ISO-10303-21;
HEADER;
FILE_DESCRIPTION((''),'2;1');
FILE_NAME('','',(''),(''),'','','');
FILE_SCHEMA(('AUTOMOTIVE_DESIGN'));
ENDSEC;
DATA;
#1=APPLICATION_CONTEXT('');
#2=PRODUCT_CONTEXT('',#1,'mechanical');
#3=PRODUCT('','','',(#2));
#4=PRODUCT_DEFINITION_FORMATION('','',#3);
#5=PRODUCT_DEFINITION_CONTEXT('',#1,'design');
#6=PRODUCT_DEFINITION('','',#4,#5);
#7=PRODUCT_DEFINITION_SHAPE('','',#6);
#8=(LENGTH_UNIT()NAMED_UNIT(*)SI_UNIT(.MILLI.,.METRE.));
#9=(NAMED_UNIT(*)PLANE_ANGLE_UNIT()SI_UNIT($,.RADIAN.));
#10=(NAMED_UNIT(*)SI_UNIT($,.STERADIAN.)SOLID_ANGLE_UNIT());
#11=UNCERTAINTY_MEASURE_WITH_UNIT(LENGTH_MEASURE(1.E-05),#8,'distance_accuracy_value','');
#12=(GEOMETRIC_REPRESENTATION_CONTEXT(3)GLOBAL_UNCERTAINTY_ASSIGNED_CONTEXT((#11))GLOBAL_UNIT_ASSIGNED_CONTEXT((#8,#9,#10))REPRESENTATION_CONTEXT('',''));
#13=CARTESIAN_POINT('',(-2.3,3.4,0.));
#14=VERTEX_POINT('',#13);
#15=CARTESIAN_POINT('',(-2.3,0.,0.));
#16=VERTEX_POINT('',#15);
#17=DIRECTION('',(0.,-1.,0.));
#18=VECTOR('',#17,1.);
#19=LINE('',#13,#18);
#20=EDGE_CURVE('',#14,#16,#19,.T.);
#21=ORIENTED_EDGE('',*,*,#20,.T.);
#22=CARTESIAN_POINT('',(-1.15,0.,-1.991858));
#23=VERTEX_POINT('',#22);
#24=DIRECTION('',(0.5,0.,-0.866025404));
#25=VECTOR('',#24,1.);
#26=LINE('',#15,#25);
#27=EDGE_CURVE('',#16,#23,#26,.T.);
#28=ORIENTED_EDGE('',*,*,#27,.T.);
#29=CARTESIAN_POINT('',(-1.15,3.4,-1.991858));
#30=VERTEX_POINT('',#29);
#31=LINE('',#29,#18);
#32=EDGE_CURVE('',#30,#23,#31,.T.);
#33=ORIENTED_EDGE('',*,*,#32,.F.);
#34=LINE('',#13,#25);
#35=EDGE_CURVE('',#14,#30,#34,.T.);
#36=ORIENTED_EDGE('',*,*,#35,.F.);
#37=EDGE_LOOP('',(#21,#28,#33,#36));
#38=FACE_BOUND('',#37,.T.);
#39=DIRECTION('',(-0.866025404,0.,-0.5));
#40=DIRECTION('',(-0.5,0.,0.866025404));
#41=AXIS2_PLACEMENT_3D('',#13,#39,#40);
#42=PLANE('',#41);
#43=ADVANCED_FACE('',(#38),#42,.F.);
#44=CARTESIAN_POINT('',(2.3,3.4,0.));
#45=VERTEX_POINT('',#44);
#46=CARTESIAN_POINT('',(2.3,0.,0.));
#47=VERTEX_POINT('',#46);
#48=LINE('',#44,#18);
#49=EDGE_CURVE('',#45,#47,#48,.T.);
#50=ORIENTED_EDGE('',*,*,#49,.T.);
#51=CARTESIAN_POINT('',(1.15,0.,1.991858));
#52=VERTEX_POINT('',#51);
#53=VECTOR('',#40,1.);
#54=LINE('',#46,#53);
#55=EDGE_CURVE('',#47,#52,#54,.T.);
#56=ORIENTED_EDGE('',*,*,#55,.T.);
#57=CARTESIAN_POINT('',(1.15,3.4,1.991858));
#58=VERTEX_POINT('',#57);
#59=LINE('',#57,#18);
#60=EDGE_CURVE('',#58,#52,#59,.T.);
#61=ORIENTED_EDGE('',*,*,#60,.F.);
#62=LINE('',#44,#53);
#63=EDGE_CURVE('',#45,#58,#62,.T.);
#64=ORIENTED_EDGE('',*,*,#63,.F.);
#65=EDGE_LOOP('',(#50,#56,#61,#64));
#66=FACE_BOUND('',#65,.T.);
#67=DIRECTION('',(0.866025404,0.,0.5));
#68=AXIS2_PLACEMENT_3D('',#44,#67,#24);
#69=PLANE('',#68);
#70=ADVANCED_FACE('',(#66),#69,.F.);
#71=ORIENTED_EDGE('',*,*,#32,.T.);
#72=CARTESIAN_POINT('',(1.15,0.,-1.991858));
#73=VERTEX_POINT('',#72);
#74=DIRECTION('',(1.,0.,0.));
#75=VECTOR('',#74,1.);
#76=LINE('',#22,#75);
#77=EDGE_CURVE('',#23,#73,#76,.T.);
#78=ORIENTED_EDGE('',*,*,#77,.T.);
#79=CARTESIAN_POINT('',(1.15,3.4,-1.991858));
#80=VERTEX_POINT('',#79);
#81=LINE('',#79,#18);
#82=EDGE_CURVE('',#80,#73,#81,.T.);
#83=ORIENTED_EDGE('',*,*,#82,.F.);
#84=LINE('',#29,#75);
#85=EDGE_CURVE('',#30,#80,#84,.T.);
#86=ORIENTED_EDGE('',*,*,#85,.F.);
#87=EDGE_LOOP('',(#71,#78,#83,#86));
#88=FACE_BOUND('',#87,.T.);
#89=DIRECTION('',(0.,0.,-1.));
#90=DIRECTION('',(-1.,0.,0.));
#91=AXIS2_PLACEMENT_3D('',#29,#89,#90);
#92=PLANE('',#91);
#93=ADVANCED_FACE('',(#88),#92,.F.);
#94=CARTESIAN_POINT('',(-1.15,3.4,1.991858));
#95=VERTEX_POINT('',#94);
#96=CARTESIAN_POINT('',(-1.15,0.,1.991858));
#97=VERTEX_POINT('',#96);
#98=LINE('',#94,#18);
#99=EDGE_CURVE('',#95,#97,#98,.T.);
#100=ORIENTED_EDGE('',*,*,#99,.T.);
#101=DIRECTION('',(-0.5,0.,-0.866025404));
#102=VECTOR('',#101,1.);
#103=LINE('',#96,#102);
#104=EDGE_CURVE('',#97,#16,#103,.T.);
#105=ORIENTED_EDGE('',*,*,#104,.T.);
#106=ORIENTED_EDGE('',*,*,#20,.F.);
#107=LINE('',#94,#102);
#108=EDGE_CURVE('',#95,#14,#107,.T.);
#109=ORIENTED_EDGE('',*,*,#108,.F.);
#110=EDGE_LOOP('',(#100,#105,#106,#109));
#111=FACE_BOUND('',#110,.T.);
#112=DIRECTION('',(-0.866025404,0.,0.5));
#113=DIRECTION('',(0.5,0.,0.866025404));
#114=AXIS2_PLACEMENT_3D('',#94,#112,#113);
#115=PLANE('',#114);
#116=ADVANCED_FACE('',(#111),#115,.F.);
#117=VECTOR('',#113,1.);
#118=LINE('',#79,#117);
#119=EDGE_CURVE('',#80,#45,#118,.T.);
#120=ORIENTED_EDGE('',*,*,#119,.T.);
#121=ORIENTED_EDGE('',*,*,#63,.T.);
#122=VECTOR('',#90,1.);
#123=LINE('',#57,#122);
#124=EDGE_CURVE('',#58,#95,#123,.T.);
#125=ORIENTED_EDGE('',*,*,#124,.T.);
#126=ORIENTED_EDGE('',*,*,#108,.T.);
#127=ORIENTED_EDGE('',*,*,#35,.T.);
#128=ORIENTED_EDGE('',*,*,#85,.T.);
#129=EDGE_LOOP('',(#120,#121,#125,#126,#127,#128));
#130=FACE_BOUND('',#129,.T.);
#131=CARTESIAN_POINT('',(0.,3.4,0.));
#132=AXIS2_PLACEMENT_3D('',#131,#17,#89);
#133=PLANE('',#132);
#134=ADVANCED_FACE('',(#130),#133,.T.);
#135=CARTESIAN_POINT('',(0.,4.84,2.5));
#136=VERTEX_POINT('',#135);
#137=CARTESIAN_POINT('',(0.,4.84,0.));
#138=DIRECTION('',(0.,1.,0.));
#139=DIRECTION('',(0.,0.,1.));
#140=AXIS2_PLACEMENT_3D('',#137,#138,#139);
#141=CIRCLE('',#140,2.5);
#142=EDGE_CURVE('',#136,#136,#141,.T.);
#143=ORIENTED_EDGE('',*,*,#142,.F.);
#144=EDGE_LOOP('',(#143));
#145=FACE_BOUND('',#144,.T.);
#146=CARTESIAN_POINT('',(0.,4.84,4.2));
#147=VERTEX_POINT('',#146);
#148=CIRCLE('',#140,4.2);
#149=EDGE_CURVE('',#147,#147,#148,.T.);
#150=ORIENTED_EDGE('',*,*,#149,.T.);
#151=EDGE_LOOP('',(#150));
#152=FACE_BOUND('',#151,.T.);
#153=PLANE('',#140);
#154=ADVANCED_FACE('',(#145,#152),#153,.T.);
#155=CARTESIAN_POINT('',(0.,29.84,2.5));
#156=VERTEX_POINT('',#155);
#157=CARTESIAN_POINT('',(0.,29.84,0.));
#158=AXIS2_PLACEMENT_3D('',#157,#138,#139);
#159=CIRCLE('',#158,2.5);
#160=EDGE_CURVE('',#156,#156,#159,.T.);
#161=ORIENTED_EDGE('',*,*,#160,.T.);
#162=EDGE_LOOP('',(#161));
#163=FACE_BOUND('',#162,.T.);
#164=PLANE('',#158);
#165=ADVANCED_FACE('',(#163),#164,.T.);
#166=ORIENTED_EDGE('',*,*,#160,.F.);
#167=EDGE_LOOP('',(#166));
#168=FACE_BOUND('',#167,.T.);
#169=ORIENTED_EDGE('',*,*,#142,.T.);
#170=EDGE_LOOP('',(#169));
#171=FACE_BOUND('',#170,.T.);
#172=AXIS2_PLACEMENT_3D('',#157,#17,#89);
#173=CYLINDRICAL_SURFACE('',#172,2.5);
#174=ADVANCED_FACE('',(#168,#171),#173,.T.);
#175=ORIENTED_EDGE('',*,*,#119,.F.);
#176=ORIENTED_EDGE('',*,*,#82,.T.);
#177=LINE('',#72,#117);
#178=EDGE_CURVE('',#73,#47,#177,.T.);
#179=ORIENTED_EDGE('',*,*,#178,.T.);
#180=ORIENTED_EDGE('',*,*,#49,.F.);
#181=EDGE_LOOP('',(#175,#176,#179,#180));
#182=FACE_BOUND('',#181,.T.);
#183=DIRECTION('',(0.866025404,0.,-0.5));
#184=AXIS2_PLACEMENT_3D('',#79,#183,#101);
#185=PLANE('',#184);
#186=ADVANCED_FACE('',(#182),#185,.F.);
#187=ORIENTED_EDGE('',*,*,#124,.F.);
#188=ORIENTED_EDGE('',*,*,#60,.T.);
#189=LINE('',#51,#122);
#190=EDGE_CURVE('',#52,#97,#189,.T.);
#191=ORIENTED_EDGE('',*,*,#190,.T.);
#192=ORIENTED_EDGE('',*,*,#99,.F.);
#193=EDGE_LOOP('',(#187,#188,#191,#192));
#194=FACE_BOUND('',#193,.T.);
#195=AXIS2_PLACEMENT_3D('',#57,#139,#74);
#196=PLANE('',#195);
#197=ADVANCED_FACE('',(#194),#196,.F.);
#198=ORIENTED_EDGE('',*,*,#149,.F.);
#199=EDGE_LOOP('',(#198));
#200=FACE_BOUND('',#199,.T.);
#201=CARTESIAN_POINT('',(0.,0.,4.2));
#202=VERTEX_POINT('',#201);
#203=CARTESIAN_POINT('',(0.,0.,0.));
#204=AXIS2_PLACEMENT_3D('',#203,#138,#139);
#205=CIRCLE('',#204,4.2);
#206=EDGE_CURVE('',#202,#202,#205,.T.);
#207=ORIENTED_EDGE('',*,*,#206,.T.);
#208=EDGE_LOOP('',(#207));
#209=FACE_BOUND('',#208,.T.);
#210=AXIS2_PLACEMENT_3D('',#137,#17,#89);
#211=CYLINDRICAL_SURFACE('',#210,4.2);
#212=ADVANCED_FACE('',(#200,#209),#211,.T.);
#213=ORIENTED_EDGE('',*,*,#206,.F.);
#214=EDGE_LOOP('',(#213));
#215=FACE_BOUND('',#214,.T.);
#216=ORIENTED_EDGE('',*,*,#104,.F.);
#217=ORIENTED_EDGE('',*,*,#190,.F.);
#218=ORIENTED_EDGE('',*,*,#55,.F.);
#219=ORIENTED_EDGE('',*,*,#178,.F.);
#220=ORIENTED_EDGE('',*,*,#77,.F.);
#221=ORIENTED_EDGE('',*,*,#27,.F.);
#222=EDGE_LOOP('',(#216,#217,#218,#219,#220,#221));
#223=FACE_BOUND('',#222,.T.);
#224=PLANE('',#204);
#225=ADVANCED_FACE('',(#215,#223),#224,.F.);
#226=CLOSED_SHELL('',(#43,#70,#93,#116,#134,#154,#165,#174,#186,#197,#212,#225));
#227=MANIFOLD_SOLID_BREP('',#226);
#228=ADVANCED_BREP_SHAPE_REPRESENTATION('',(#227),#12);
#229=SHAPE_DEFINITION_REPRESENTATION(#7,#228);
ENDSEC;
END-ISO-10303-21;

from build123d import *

# Parameters (mm, degrees)
SKETCH_1_R          = 4.2
EXTRUDE_1_DEPTH     = 4.84
SKETCH_2_R          = 2.5
EXTRUDE_2_DEPTH     = 25
CUT_EXTRUDE_1_DEPTH = 3.4


with BuildPart() as part:
    # 草图1 → 凸台-拉伸1 (new body)
    with BuildSketch(Plane(origin=(0, 0, 0), x_dir=(1, 0, 0), z_dir=(0, 1, 0))):
        Circle(SKETCH_1_R)
    extrude(amount=EXTRUDE_1_DEPTH)

    # 草图2 → 凸台-拉伸2 (add)
    with BuildSketch(Plane(origin=(0, 4.84, 0), x_dir=(1, 0, 0), z_dir=(0, 1, 0))):
        Circle(SKETCH_2_R)
    extrude(amount=EXTRUDE_2_DEPTH)

    # 草图3 → 切除-拉伸1 (cut)
    with BuildSketch(Plane.XZ):
        Polygon((2.3, 0), (1.15, 1.991858429), (-1.15, 1.991858429), (-2.3, 0), (-1.15, -1.991858429), (1.15, -1.991858429), align=None)
    extrude(amount=-CUT_EXTRUDE_1_DEPTH, mode=Mode.SUBTRACT)


solid = part.part
